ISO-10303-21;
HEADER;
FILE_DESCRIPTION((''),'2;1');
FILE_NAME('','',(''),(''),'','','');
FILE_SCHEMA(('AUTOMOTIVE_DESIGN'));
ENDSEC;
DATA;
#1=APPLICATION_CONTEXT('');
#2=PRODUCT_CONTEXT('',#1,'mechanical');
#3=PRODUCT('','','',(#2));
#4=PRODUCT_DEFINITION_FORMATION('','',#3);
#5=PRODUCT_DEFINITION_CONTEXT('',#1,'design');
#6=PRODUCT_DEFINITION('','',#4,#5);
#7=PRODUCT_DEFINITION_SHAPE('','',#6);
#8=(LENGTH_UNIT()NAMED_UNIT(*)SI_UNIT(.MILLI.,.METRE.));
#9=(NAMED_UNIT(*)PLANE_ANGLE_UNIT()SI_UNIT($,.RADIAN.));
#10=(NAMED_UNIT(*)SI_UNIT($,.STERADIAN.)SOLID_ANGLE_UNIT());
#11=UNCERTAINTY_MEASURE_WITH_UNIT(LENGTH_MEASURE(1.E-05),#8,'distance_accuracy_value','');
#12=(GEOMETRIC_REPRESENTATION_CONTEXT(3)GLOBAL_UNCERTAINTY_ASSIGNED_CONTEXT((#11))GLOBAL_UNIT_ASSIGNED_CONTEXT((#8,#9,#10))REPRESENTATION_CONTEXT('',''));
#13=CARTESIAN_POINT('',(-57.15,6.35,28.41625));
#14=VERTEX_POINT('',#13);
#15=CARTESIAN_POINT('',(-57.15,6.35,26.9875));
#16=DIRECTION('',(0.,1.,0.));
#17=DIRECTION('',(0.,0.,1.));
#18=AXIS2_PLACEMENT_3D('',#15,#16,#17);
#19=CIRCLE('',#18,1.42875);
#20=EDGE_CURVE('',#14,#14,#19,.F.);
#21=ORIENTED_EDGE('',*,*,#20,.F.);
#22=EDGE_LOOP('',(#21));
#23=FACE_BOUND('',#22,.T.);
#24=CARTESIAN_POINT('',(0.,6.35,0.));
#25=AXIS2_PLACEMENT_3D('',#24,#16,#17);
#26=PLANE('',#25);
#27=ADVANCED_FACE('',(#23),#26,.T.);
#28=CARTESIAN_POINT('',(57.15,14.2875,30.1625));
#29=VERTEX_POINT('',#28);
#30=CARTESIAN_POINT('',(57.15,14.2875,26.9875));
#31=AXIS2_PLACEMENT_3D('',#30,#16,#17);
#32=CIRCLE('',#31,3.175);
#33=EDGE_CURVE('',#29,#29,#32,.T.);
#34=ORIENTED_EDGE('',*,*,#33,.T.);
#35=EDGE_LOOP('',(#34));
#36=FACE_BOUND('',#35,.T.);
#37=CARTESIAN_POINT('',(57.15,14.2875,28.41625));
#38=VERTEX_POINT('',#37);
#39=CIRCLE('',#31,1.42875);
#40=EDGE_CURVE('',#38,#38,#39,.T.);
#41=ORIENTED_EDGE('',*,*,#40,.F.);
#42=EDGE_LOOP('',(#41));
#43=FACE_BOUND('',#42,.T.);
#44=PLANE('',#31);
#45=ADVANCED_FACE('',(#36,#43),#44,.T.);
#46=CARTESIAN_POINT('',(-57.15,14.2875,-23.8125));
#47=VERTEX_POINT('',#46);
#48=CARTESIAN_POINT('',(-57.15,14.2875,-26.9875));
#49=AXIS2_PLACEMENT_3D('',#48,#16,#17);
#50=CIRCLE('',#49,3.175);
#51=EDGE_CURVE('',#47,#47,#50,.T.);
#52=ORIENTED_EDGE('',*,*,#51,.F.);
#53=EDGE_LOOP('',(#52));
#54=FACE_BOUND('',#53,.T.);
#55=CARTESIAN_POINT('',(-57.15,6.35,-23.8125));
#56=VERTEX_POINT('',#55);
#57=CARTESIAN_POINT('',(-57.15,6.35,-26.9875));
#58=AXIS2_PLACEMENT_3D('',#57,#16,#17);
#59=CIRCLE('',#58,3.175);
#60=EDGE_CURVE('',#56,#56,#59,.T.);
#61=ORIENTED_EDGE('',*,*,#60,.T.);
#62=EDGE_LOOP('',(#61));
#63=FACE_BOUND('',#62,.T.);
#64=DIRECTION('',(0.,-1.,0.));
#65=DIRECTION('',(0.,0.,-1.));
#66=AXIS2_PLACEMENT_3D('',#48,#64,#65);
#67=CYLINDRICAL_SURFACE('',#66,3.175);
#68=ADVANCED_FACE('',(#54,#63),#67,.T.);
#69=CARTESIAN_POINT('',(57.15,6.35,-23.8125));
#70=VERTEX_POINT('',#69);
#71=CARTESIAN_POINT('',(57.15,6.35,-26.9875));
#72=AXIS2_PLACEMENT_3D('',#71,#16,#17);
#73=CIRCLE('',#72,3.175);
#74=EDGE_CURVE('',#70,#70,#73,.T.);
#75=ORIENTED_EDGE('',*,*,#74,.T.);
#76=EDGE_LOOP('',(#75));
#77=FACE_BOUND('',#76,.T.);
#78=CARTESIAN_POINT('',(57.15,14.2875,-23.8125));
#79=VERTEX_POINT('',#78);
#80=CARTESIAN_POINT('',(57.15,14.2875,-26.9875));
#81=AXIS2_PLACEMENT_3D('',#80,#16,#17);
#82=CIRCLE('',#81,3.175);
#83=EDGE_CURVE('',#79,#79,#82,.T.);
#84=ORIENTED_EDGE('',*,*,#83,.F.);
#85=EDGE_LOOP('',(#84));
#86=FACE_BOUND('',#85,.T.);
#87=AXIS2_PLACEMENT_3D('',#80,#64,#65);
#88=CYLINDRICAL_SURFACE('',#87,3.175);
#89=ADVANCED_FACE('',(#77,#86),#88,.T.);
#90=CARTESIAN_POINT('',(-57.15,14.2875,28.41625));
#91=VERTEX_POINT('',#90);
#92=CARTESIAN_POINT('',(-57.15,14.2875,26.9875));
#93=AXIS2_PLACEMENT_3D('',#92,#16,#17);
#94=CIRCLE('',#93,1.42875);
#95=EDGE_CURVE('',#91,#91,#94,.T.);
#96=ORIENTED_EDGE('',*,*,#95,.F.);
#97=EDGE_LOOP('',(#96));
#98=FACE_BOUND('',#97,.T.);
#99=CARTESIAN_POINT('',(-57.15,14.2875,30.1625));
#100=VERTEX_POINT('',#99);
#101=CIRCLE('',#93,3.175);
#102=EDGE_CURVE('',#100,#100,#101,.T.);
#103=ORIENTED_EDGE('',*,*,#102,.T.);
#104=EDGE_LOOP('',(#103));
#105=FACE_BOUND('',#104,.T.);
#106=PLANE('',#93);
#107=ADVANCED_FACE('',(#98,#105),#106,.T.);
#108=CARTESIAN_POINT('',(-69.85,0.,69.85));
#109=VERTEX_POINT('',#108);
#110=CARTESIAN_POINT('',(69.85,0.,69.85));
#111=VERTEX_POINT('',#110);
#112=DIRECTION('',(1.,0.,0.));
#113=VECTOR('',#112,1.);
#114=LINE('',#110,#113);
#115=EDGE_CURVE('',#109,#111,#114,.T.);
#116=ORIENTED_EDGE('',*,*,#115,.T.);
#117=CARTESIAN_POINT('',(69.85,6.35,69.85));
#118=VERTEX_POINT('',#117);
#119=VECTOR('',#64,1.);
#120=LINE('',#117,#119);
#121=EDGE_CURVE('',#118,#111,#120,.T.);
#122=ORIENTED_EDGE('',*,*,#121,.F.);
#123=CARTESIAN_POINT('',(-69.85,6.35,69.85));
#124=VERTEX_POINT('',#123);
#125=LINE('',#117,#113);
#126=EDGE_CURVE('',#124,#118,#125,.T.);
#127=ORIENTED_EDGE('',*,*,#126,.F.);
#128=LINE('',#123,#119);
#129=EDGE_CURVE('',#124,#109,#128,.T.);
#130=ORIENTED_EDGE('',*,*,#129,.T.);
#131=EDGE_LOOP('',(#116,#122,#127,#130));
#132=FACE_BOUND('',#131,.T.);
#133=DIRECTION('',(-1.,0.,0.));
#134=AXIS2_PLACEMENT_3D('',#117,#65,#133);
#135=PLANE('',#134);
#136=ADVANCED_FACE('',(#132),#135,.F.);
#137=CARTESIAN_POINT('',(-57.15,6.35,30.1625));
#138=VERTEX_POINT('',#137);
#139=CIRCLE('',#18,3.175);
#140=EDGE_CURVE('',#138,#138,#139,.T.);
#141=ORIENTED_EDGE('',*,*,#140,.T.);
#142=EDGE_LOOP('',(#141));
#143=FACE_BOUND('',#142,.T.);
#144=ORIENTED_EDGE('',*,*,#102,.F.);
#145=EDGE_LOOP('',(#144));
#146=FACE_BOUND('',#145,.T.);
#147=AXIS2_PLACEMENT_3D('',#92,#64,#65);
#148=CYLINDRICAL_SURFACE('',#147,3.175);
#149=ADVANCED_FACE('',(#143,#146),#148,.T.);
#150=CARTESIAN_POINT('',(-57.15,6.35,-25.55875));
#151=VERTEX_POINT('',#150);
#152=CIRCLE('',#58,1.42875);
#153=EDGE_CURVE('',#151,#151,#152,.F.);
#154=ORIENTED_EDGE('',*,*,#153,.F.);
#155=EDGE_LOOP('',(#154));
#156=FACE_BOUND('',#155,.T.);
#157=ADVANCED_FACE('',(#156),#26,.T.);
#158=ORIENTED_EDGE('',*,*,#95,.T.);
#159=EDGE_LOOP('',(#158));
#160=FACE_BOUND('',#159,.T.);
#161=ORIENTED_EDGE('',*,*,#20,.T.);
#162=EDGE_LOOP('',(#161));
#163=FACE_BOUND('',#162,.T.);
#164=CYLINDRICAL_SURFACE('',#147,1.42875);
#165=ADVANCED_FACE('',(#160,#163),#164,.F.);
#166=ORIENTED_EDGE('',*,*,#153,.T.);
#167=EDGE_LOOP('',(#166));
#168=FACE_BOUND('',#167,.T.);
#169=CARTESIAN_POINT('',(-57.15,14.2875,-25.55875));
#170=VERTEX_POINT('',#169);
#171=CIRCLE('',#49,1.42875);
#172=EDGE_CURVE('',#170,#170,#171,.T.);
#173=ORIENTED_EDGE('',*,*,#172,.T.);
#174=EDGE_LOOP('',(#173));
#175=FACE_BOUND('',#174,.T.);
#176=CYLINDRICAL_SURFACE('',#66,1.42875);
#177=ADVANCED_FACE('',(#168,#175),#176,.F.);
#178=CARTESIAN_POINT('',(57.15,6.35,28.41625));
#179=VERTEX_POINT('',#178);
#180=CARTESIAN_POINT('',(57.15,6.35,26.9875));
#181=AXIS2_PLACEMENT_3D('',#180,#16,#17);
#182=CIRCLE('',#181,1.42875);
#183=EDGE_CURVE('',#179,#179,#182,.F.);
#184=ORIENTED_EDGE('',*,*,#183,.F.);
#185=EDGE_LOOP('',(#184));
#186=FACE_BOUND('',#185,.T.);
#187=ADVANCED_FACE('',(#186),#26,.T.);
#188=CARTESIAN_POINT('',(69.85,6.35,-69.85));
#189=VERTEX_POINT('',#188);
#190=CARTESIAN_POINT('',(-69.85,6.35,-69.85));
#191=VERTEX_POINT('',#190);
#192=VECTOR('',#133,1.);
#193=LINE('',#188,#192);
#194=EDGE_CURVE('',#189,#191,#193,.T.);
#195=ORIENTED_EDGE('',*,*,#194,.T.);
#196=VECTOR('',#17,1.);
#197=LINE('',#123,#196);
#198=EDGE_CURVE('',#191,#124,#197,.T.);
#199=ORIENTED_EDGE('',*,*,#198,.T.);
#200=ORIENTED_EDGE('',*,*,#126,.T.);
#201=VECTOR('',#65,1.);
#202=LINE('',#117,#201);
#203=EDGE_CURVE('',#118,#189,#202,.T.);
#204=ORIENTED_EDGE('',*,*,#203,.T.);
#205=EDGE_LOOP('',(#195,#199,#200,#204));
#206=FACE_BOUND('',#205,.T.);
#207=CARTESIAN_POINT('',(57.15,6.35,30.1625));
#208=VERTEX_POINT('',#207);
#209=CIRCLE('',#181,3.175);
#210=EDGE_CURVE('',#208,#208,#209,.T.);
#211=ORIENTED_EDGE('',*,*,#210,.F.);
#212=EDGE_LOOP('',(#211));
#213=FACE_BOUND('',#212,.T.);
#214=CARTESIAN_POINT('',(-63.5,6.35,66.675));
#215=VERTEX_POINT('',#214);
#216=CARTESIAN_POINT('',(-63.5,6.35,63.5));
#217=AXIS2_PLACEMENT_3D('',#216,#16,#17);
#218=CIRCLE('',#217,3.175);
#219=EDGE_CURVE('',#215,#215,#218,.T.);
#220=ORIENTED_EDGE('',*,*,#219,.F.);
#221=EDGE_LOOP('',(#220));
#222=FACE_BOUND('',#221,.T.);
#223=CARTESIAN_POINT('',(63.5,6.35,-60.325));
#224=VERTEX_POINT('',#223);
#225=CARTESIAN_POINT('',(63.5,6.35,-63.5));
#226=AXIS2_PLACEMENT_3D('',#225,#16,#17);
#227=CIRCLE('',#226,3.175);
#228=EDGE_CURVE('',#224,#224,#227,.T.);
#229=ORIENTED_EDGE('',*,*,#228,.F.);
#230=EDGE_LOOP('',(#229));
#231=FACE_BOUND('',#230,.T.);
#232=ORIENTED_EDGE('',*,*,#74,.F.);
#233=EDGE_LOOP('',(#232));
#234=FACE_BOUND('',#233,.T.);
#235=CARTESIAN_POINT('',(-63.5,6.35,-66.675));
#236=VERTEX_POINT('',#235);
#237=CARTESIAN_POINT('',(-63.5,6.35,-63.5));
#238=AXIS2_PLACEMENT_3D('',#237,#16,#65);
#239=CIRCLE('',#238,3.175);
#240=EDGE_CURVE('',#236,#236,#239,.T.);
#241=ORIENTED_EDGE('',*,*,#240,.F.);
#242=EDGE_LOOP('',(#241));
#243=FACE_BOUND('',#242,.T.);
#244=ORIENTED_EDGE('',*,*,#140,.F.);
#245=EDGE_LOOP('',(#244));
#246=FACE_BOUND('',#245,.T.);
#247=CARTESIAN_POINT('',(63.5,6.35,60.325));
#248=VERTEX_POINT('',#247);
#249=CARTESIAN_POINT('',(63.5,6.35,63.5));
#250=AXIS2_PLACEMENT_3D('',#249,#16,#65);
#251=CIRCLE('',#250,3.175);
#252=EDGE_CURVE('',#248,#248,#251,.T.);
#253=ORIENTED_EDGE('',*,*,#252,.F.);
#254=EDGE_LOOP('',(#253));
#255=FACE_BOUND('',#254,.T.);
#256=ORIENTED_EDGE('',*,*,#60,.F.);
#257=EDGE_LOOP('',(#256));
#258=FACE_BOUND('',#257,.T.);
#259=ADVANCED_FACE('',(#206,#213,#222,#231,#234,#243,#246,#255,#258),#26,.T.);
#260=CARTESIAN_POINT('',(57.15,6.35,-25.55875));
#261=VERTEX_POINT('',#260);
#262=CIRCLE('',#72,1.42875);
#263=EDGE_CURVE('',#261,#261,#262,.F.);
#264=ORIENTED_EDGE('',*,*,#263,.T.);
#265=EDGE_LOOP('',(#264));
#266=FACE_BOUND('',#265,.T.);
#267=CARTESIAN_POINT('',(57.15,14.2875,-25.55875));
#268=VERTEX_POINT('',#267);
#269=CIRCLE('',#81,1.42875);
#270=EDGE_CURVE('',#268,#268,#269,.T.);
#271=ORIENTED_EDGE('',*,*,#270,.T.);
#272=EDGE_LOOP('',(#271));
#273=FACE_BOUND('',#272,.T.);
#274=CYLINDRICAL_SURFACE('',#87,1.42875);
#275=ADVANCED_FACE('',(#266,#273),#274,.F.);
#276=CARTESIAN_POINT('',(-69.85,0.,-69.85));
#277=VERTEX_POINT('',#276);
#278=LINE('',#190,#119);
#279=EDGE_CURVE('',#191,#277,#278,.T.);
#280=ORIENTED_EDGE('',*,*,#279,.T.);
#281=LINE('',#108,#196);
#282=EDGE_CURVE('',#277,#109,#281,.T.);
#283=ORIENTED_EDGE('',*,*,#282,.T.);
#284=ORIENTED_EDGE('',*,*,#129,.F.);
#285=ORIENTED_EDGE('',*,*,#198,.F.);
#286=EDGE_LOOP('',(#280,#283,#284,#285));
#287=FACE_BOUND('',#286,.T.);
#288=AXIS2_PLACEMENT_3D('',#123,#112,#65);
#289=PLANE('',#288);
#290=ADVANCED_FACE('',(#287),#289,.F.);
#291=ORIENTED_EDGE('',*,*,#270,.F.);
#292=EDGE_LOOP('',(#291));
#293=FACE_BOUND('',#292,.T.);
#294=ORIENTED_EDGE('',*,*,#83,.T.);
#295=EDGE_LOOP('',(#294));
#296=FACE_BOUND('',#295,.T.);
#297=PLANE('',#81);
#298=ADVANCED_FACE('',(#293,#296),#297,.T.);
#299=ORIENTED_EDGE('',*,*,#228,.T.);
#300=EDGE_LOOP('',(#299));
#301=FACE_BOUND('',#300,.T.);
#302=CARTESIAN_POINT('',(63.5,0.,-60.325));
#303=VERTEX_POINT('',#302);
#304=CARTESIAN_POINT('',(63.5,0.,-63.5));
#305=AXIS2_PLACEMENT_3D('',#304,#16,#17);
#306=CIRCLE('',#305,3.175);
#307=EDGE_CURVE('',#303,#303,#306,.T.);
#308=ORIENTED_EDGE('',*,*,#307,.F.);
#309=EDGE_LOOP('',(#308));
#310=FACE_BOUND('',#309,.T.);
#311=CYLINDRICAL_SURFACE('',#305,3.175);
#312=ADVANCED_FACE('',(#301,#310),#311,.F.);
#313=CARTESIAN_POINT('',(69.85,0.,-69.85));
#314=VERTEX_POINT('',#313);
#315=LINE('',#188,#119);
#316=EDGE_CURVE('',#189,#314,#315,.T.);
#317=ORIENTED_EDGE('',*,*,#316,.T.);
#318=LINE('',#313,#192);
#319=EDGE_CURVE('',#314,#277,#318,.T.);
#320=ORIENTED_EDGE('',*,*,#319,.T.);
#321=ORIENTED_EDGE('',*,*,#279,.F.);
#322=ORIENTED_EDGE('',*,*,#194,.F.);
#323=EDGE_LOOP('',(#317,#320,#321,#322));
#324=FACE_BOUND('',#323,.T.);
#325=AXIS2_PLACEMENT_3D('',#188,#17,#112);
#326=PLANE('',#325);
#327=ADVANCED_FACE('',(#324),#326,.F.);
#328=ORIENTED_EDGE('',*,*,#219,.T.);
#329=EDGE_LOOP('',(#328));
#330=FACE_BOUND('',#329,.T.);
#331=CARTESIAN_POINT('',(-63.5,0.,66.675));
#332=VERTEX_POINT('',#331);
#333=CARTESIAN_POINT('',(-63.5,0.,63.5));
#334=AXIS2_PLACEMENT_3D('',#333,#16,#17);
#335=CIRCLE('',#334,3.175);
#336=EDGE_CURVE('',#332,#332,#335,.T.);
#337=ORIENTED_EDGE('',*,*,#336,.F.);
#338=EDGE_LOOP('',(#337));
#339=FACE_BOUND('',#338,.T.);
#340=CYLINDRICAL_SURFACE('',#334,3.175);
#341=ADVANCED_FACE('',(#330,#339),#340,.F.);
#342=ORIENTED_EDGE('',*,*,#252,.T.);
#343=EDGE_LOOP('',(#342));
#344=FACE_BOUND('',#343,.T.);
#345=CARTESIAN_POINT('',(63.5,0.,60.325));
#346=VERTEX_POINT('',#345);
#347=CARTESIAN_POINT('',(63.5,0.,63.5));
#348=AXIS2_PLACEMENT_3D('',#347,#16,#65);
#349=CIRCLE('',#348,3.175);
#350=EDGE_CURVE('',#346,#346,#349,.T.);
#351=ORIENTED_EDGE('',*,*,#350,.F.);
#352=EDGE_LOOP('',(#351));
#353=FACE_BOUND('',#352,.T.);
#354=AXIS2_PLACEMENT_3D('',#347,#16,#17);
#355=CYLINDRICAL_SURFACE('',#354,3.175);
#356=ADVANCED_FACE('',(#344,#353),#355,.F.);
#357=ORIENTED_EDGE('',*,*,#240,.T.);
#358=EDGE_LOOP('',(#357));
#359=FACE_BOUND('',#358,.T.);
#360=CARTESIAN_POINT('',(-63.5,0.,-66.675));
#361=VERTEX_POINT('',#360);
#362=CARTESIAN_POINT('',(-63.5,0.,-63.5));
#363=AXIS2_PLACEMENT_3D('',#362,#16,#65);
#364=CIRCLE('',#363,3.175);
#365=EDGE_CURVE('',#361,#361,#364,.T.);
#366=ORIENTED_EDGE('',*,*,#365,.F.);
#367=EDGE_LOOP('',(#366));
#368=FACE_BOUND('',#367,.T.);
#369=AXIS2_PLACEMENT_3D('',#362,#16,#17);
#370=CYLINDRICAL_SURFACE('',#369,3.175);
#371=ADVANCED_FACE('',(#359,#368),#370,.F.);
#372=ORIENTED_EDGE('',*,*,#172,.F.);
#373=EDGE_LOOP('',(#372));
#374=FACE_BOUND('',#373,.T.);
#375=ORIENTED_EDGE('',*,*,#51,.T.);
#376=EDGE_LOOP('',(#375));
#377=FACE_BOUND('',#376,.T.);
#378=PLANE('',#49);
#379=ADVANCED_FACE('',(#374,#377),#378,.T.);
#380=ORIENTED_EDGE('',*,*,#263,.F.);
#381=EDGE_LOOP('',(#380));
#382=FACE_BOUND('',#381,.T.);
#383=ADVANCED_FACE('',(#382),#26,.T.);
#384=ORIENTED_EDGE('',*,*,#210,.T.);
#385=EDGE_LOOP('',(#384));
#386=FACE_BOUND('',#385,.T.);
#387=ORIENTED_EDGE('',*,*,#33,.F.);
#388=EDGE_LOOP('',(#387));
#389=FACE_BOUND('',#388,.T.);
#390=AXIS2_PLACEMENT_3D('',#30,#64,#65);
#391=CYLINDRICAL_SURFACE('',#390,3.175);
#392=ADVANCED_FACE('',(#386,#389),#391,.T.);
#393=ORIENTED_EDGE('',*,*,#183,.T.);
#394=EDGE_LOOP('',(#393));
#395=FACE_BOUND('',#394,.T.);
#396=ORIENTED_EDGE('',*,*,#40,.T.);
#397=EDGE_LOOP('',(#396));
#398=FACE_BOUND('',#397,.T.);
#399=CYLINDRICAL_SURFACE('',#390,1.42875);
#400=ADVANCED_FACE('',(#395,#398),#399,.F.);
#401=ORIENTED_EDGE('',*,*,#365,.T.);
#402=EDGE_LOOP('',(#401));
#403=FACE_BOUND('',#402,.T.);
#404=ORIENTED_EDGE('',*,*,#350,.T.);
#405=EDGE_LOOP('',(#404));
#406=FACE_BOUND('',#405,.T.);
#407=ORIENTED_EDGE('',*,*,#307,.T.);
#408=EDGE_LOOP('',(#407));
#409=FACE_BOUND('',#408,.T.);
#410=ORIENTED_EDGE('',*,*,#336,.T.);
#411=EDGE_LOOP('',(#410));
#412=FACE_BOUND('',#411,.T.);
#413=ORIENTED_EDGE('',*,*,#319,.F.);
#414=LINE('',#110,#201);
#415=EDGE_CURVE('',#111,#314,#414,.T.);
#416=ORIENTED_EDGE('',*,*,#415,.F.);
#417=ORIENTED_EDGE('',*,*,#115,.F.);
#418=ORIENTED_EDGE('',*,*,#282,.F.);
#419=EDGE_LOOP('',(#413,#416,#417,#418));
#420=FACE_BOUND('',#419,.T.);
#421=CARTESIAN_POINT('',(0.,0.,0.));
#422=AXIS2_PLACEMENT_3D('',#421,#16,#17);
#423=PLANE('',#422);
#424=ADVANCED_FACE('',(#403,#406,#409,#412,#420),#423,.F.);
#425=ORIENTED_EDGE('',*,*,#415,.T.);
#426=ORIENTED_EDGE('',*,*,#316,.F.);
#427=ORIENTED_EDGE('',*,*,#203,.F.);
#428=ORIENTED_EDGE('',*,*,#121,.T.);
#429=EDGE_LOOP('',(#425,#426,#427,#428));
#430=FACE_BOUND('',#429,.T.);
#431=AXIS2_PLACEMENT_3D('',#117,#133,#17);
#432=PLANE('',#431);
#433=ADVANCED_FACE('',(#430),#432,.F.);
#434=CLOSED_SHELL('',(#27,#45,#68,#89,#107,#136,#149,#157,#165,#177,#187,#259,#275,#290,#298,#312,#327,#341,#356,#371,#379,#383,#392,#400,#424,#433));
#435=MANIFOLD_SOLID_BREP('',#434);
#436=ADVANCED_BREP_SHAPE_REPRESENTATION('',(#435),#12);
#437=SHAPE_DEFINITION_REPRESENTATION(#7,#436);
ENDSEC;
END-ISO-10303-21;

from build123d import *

# Parameters (mm, degrees)
SKETCH1_W           = 139.7
SKETCH1_H           = 139.7
BOSS_EXTRUDE1_DEPTH = 6.35
SKETCH2_R           = 3.175
CUT_EXTRUDE1_DEPTH  = 6.35
SKETCH4_R           = 3.175
SKETCH4_R_2         = 1.42875
BOSS_EXTRUDE2_DEPTH = 7.9375


with BuildPart() as part:
    # Sketch1 → Boss-Extrude1 (new body)
    with BuildSketch(Plane(origin=(0, 0, 0), x_dir=(1, 0, 0), z_dir=(0, 1, 0))):
        Rectangle(SKETCH1_W, SKETCH1_H)
    extrude(amount=BOSS_EXTRUDE1_DEPTH)

    # Sketch2 → Cut-Extrude1 (cut)
    with BuildSketch(Plane(origin=(0, 6.35, 0), x_dir=(1, 0, 0), z_dir=(0, 1, 0))):
        with Locations(Location((-63.5, -63.5, 0), (0, 0, 270))):
            Circle(SKETCH2_R)
        with Locations(Location((63.5, -63.5, 0), (0, 0, 90))):
            Circle(SKETCH2_R)
        with Locations(Location((63.5, 63.5, 0), (0, 0, 270))):
            Circle(SKETCH2_R)
        with Locations(Location((-63.5, 63.5, 0), (0, 0, 90))):
            Circle(SKETCH2_R)
    extrude(amount=-CUT_EXTRUDE1_DEPTH, mode=Mode.SUBTRACT)

    # Sketch4 → Boss-Extrude2 (add)
    # profile 1 of 4: a face of its own
    with BuildSketch(Plane(origin=(0, 6.35, 0), x_dir=(1, 0, 0), z_dir=(0, 1, 0))):
        with Locations(Location((-57.15, 26.9875, 0), (0, 0, 270))):
            Circle(SKETCH4_R)
        with Locations(Location((-57.15, 26.9875, 0), (0, 0, 270))):
            Circle(SKETCH4_R_2, mode=Mode.SUBTRACT)
    # profile 2 of 4: a face of its own
    with BuildSketch(Plane(origin=(0, 6.35, 0), x_dir=(1, 0, 0), z_dir=(0, 1, 0))):
        with Locations(Location((-57.15, -26.9875, 0), (0, 0, 270))):
            Circle(SKETCH4_R)
        with Locations(Location((-57.15, -26.9875, 0), (0, 0, 270))):
            Circle(SKETCH4_R_2, mode=Mode.SUBTRACT)
    # profile 3 of 4: a face of its own
    with BuildSketch(Plane(origin=(0, 6.35, 0), x_dir=(1, 0, 0), z_dir=(0, 1, 0))):
        with Locations(Location((57.15, -26.9875, 0), (0, 0, 270))):
            Circle(SKETCH4_R)
        with Locations(Location((57.15, -26.9875, 0), (0, 0, 270))):
            Circle(SKETCH4_R_2, mode=Mode.SUBTRACT)
    # profile 4 of 4: a face of its own
    with BuildSketch(Plane(origin=(0, 6.35, 0), x_dir=(1, 0, 0), z_dir=(0, 1, 0))):
        with Locations(Location((57.15, 26.9875, 0), (0, 0, 270))):
            Circle(SKETCH4_R)
        with Locations(Location((57.15, 26.9875, 0), (0, 0, 270))):
            Circle(SKETCH4_R_2, mode=Mode.SUBTRACT)
    extrude(amount=BOSS_EXTRUDE2_DEPTH)


solid = part.part
